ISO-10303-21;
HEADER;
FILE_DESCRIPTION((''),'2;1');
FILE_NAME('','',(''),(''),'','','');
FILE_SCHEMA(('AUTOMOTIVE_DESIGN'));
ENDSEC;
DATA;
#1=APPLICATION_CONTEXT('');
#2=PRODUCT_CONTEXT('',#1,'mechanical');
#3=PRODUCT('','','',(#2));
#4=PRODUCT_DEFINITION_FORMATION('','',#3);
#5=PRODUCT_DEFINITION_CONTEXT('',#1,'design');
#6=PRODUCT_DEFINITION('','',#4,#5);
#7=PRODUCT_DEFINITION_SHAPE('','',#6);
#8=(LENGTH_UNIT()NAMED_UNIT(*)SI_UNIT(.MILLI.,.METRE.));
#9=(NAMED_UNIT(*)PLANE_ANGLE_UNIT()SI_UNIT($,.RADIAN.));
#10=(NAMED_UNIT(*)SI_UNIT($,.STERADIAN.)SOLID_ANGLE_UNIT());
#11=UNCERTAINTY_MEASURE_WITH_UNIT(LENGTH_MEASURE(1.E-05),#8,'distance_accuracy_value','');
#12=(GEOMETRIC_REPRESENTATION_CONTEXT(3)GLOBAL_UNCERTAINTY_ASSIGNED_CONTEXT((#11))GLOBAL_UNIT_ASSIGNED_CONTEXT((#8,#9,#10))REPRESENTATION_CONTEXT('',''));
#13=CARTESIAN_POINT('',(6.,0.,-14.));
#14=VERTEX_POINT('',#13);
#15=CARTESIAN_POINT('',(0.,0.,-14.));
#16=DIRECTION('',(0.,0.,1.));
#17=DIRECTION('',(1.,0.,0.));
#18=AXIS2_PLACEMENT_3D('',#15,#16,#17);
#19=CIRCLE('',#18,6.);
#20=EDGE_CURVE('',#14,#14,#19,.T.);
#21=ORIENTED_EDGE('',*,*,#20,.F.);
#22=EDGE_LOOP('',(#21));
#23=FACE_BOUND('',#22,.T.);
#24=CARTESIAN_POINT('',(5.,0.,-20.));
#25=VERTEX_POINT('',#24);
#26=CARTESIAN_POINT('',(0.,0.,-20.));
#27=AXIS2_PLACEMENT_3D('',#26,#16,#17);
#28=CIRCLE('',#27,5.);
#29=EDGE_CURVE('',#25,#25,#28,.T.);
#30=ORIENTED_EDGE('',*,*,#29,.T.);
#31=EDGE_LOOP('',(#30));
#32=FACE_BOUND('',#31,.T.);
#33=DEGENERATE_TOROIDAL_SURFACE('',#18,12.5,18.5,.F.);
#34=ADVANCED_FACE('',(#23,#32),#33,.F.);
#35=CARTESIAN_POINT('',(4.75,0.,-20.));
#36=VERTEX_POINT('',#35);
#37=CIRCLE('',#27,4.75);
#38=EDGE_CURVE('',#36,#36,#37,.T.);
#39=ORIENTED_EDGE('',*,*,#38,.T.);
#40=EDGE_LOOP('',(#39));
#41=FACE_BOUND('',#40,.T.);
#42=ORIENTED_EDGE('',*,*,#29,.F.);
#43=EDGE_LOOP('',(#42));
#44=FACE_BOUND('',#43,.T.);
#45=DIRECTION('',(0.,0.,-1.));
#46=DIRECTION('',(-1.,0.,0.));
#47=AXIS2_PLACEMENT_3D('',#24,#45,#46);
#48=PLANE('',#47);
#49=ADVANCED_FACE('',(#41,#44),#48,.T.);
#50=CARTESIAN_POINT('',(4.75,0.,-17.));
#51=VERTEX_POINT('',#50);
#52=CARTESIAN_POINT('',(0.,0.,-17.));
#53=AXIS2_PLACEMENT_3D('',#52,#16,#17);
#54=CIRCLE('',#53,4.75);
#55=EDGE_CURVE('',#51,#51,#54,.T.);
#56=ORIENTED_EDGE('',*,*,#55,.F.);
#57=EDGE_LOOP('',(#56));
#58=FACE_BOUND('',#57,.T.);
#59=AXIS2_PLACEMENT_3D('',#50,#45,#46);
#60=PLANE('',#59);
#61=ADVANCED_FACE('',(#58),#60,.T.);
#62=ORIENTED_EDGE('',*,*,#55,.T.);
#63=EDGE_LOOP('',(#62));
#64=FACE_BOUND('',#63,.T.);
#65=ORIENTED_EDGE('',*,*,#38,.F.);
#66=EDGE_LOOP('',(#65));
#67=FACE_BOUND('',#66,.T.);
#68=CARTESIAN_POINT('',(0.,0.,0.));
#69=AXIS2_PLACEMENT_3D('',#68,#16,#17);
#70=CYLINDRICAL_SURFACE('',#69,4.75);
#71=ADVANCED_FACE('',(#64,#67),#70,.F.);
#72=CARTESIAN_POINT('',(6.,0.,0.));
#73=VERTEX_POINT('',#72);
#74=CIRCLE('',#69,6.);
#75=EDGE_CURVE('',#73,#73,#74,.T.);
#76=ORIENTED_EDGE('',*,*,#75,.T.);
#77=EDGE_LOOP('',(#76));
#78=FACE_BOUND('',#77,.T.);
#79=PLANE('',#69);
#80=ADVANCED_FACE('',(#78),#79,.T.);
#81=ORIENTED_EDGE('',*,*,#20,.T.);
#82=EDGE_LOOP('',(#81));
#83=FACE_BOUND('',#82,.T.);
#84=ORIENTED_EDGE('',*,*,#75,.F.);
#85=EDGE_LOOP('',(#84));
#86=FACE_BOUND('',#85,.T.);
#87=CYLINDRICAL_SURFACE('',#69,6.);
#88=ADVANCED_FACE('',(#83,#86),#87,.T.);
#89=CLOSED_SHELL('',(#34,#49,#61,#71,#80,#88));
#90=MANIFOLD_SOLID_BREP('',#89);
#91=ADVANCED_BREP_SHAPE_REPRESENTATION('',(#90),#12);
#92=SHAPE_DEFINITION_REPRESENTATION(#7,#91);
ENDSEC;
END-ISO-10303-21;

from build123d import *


with BuildPart() as part:
    # Sketch1 → Revolve1 (revolve)
    with BuildSketch(Plane(origin=(0, 0, 0), x_dir=(1, 0, 0), z_dir=(0, 1, 0))):
        with BuildLine():
            Line((0, 0), (6, 0))
            Line((6, 0), (6, 14))
            ThreePointArc((6, 14), (5.748287591, 17.041381265), (5, 20))
            Line((5, 20), (4.75, 20))
            Line((4.75, 20), (4.75, 17))
            Line((4.75, 17), (0, 17))
            Line((0, 17), (0, 0))
        make_face()
    revolve(axis=Axis((0, 0, 0), (0, 0, -1)))


solid = part.part
